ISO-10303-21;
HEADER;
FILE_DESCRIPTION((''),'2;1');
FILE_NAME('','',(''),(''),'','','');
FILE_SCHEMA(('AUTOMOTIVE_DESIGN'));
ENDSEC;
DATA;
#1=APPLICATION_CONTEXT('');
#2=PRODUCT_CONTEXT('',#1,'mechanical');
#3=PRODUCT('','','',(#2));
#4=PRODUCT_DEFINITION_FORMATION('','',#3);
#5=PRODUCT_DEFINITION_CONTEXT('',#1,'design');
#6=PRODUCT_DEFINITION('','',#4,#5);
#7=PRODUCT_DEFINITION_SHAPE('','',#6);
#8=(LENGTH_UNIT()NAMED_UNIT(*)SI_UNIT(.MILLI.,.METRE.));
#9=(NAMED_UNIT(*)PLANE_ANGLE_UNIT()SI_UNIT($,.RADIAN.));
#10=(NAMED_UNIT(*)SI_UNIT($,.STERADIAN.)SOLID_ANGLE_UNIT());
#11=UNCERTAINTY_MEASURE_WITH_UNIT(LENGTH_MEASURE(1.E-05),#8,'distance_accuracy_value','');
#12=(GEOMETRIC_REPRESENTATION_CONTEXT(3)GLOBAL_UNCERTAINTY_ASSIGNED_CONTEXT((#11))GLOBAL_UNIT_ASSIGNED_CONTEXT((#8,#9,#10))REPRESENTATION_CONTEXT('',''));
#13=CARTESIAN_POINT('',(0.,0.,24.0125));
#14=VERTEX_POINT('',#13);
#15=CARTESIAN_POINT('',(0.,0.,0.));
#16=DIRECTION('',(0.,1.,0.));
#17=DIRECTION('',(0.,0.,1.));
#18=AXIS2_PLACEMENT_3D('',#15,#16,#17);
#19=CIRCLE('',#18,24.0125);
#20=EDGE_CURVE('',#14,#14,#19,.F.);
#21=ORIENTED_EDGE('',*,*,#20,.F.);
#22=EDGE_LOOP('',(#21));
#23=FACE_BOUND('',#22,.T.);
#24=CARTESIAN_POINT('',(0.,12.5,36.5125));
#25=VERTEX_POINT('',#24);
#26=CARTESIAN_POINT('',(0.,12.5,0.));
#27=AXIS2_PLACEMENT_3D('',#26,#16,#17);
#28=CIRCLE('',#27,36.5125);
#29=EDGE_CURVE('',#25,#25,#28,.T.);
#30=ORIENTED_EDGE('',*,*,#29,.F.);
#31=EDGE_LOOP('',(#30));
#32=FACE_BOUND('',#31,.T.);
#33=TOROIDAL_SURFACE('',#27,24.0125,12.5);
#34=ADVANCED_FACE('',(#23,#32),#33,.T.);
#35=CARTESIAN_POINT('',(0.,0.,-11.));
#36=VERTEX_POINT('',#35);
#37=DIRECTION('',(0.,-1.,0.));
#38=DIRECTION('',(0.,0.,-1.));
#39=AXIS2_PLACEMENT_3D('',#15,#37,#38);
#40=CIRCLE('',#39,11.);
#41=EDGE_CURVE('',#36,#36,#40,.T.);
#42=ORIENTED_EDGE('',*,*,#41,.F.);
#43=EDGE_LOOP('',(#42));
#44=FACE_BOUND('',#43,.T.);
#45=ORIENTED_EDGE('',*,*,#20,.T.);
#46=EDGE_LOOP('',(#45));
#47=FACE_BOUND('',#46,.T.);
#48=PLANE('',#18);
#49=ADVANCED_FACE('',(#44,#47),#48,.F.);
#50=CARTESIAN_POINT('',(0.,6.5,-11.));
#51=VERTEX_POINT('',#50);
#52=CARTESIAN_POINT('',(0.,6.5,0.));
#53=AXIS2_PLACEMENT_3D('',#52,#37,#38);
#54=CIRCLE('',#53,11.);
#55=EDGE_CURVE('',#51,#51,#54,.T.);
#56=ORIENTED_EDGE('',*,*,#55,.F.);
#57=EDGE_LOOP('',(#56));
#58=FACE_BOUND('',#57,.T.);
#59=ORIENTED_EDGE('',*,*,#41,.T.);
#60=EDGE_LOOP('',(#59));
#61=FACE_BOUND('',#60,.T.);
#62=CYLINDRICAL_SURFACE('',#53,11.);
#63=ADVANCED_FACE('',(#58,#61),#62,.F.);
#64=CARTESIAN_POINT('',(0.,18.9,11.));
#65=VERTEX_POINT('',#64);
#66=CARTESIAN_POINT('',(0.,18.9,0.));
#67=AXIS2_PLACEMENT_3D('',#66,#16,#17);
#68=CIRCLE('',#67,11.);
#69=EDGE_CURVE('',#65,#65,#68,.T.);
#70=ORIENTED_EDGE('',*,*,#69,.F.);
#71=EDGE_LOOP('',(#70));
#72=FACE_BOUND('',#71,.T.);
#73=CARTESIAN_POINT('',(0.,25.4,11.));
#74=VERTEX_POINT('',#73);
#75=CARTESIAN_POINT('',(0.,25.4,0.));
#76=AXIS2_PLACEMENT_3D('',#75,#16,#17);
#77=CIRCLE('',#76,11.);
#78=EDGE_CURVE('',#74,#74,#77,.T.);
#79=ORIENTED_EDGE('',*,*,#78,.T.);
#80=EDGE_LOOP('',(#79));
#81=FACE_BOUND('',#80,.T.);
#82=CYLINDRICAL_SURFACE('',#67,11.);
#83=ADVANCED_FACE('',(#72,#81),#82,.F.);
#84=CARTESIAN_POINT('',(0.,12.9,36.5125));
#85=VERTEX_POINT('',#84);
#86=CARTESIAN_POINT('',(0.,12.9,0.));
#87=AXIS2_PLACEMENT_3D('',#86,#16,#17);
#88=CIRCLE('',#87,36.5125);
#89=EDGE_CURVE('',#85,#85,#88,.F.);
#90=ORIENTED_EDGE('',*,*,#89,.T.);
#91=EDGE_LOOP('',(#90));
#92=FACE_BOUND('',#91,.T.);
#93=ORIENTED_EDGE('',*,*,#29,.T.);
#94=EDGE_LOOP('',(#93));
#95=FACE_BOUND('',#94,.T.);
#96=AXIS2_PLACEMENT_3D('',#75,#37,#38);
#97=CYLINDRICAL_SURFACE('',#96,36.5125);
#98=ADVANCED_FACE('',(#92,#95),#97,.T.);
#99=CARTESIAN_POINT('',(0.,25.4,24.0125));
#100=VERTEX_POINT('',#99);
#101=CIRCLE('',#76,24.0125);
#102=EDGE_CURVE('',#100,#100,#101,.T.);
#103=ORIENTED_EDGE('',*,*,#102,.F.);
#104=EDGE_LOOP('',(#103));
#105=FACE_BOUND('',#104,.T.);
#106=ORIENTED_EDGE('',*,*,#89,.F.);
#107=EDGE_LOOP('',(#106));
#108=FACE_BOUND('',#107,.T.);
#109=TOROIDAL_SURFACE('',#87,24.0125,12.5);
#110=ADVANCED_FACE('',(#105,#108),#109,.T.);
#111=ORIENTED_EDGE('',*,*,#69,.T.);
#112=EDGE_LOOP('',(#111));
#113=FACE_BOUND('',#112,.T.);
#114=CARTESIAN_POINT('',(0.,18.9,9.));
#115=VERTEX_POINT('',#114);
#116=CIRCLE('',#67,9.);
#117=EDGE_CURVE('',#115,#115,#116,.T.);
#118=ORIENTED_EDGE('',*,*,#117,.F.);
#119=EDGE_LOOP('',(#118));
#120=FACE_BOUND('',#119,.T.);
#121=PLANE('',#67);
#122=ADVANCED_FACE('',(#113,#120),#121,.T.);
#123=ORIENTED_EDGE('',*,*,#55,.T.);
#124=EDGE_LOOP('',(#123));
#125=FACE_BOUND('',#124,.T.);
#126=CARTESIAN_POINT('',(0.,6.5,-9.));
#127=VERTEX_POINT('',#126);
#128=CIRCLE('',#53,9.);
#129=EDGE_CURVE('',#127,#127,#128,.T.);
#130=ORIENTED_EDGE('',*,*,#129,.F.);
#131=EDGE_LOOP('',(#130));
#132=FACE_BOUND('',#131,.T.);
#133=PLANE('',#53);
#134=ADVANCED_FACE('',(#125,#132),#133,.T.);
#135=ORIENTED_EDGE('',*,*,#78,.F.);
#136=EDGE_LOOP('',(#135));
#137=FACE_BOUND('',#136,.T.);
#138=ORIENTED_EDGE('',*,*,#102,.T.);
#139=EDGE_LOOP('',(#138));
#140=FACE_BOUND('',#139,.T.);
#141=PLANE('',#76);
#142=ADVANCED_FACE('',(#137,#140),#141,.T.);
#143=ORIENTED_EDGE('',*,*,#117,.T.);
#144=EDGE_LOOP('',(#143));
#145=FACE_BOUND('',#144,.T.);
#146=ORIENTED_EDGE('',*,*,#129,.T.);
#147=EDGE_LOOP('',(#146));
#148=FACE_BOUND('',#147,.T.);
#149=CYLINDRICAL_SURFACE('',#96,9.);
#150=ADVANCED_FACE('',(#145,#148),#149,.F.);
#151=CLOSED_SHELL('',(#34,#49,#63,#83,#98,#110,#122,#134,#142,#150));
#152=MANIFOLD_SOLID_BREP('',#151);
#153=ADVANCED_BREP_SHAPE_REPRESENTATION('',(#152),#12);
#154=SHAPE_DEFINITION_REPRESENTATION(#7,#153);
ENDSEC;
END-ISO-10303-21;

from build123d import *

# Parameters (mm, degrees)
SKETCH1_R           = 36.5125
BOSS_EXTRUDE1_DEPTH = 25.4
FILLET1_R           = 12.5
SKETCH2_R           = 11
CUT_EXTRUDE1_DEPTH  = 6.5
SKETCH3_R           = 11
CUT_EXTRUDE2_DEPTH  = 6.5
SKETCH4_R           = 9
CUT_EXTRUDE3_DEPTH  = 19.9


with BuildPart() as part:
    # Sketch1 → Boss-Extrude1 (new body)
    with BuildSketch(Plane(origin=(0, 0, 0), x_dir=(1, 0, 0), z_dir=(0, 1, 0))):
        Circle(SKETCH1_R)
    extrude(amount=BOSS_EXTRUDE1_DEPTH)

    # Fillet1
    fillet1_edges = [part.edges().sort_by_distance(p)[0] for p in [
        (-36.5125, 0, 0),
        (-36.5125, 25.4, 0),
    ]]
    fillet(fillet1_edges, radius=FILLET1_R)

    # Sketch2 → Cut-Extrude1 (cut)
    with BuildSketch(Plane(origin=(0, 25.4, 0), x_dir=(1, 0, 0), z_dir=(0, 1, 0))):
        Circle(SKETCH2_R)
    extrude(amount=-CUT_EXTRUDE1_DEPTH, mode=Mode.SUBTRACT)

    # Sketch3 → Cut-Extrude2 (cut)
    with BuildSketch(Plane.XZ):
        Circle(SKETCH3_R)
    extrude(amount=-CUT_EXTRUDE2_DEPTH, mode=Mode.SUBTRACT)

    # Sketch4 → Cut-Extrude3 (cut, through all)
    with BuildSketch(Plane.XZ.offset(-6.5)):
        Circle(SKETCH4_R)
    extrude(amount=-CUT_EXTRUDE3_DEPTH, mode=Mode.SUBTRACT)


solid = part.part
